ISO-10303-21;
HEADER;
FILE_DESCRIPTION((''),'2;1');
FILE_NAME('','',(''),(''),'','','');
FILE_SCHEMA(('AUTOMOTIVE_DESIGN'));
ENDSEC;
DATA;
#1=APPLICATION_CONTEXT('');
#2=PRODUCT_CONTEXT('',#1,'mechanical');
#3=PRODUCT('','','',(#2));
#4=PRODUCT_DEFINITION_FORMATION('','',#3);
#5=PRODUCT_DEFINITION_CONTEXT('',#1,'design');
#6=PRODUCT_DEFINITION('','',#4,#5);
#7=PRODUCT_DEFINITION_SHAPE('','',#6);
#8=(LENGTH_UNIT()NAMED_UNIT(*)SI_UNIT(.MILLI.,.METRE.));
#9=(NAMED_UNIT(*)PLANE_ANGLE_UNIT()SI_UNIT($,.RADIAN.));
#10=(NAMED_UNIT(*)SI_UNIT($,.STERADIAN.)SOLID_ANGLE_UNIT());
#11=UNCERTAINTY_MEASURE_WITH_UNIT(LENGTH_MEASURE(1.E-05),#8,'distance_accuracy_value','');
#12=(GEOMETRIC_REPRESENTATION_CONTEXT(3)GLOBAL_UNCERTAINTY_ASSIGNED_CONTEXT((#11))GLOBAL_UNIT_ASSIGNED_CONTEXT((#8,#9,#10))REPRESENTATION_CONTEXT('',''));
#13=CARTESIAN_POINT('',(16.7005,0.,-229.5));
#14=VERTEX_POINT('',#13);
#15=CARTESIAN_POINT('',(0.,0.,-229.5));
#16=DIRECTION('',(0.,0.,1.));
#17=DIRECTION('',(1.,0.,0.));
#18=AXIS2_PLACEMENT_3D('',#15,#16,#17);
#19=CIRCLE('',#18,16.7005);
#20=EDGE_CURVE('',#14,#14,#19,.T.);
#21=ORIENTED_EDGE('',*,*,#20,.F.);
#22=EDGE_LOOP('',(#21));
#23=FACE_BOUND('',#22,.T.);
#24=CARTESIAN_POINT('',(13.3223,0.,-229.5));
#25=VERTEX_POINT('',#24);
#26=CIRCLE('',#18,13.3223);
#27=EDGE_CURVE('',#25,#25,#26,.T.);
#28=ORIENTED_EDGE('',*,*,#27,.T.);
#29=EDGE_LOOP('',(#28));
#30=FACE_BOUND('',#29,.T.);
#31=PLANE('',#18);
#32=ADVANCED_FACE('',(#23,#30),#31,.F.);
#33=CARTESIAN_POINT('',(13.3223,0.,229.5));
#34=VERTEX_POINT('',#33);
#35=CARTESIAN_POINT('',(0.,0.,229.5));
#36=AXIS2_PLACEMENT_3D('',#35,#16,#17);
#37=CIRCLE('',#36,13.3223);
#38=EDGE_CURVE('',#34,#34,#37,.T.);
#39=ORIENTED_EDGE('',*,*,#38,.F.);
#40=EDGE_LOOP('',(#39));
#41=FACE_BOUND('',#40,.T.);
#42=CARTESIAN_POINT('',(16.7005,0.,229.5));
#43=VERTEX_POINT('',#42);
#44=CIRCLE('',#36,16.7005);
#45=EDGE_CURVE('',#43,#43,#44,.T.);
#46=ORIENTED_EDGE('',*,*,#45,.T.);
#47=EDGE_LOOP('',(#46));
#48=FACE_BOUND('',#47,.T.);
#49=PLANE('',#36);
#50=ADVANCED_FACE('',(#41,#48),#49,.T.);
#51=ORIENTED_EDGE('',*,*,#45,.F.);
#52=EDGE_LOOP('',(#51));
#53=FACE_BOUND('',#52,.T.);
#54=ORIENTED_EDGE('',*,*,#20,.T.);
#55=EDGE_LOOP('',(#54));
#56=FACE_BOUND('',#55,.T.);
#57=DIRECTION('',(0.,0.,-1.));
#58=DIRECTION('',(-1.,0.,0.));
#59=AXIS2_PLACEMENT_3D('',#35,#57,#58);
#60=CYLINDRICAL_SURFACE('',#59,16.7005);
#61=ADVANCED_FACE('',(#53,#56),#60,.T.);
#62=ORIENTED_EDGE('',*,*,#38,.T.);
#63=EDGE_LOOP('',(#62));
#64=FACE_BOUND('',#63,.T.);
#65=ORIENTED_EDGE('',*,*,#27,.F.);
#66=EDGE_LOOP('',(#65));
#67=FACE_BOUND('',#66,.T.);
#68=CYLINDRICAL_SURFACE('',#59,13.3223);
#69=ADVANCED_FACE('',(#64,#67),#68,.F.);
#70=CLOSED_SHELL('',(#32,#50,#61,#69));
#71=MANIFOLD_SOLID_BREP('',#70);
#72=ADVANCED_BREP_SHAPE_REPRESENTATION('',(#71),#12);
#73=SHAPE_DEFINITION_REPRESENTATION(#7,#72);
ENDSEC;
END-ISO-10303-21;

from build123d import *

# Parameters (mm, degrees)
SKETCH1_R           = 16.7005
SKETCH1_R_2         = 13.3223
BOSS_EXTRUDE1_DEPTH = 229.5


with BuildPart() as part:
    # Sketch1 → Boss-Extrude1 (new, symmetric)
    with BuildSketch(Plane.XY):
        Circle(SKETCH1_R)
        Circle(SKETCH1_R_2, mode=Mode.SUBTRACT)
    extrude(amount=BOSS_EXTRUDE1_DEPTH, both=True)


solid = part.part
